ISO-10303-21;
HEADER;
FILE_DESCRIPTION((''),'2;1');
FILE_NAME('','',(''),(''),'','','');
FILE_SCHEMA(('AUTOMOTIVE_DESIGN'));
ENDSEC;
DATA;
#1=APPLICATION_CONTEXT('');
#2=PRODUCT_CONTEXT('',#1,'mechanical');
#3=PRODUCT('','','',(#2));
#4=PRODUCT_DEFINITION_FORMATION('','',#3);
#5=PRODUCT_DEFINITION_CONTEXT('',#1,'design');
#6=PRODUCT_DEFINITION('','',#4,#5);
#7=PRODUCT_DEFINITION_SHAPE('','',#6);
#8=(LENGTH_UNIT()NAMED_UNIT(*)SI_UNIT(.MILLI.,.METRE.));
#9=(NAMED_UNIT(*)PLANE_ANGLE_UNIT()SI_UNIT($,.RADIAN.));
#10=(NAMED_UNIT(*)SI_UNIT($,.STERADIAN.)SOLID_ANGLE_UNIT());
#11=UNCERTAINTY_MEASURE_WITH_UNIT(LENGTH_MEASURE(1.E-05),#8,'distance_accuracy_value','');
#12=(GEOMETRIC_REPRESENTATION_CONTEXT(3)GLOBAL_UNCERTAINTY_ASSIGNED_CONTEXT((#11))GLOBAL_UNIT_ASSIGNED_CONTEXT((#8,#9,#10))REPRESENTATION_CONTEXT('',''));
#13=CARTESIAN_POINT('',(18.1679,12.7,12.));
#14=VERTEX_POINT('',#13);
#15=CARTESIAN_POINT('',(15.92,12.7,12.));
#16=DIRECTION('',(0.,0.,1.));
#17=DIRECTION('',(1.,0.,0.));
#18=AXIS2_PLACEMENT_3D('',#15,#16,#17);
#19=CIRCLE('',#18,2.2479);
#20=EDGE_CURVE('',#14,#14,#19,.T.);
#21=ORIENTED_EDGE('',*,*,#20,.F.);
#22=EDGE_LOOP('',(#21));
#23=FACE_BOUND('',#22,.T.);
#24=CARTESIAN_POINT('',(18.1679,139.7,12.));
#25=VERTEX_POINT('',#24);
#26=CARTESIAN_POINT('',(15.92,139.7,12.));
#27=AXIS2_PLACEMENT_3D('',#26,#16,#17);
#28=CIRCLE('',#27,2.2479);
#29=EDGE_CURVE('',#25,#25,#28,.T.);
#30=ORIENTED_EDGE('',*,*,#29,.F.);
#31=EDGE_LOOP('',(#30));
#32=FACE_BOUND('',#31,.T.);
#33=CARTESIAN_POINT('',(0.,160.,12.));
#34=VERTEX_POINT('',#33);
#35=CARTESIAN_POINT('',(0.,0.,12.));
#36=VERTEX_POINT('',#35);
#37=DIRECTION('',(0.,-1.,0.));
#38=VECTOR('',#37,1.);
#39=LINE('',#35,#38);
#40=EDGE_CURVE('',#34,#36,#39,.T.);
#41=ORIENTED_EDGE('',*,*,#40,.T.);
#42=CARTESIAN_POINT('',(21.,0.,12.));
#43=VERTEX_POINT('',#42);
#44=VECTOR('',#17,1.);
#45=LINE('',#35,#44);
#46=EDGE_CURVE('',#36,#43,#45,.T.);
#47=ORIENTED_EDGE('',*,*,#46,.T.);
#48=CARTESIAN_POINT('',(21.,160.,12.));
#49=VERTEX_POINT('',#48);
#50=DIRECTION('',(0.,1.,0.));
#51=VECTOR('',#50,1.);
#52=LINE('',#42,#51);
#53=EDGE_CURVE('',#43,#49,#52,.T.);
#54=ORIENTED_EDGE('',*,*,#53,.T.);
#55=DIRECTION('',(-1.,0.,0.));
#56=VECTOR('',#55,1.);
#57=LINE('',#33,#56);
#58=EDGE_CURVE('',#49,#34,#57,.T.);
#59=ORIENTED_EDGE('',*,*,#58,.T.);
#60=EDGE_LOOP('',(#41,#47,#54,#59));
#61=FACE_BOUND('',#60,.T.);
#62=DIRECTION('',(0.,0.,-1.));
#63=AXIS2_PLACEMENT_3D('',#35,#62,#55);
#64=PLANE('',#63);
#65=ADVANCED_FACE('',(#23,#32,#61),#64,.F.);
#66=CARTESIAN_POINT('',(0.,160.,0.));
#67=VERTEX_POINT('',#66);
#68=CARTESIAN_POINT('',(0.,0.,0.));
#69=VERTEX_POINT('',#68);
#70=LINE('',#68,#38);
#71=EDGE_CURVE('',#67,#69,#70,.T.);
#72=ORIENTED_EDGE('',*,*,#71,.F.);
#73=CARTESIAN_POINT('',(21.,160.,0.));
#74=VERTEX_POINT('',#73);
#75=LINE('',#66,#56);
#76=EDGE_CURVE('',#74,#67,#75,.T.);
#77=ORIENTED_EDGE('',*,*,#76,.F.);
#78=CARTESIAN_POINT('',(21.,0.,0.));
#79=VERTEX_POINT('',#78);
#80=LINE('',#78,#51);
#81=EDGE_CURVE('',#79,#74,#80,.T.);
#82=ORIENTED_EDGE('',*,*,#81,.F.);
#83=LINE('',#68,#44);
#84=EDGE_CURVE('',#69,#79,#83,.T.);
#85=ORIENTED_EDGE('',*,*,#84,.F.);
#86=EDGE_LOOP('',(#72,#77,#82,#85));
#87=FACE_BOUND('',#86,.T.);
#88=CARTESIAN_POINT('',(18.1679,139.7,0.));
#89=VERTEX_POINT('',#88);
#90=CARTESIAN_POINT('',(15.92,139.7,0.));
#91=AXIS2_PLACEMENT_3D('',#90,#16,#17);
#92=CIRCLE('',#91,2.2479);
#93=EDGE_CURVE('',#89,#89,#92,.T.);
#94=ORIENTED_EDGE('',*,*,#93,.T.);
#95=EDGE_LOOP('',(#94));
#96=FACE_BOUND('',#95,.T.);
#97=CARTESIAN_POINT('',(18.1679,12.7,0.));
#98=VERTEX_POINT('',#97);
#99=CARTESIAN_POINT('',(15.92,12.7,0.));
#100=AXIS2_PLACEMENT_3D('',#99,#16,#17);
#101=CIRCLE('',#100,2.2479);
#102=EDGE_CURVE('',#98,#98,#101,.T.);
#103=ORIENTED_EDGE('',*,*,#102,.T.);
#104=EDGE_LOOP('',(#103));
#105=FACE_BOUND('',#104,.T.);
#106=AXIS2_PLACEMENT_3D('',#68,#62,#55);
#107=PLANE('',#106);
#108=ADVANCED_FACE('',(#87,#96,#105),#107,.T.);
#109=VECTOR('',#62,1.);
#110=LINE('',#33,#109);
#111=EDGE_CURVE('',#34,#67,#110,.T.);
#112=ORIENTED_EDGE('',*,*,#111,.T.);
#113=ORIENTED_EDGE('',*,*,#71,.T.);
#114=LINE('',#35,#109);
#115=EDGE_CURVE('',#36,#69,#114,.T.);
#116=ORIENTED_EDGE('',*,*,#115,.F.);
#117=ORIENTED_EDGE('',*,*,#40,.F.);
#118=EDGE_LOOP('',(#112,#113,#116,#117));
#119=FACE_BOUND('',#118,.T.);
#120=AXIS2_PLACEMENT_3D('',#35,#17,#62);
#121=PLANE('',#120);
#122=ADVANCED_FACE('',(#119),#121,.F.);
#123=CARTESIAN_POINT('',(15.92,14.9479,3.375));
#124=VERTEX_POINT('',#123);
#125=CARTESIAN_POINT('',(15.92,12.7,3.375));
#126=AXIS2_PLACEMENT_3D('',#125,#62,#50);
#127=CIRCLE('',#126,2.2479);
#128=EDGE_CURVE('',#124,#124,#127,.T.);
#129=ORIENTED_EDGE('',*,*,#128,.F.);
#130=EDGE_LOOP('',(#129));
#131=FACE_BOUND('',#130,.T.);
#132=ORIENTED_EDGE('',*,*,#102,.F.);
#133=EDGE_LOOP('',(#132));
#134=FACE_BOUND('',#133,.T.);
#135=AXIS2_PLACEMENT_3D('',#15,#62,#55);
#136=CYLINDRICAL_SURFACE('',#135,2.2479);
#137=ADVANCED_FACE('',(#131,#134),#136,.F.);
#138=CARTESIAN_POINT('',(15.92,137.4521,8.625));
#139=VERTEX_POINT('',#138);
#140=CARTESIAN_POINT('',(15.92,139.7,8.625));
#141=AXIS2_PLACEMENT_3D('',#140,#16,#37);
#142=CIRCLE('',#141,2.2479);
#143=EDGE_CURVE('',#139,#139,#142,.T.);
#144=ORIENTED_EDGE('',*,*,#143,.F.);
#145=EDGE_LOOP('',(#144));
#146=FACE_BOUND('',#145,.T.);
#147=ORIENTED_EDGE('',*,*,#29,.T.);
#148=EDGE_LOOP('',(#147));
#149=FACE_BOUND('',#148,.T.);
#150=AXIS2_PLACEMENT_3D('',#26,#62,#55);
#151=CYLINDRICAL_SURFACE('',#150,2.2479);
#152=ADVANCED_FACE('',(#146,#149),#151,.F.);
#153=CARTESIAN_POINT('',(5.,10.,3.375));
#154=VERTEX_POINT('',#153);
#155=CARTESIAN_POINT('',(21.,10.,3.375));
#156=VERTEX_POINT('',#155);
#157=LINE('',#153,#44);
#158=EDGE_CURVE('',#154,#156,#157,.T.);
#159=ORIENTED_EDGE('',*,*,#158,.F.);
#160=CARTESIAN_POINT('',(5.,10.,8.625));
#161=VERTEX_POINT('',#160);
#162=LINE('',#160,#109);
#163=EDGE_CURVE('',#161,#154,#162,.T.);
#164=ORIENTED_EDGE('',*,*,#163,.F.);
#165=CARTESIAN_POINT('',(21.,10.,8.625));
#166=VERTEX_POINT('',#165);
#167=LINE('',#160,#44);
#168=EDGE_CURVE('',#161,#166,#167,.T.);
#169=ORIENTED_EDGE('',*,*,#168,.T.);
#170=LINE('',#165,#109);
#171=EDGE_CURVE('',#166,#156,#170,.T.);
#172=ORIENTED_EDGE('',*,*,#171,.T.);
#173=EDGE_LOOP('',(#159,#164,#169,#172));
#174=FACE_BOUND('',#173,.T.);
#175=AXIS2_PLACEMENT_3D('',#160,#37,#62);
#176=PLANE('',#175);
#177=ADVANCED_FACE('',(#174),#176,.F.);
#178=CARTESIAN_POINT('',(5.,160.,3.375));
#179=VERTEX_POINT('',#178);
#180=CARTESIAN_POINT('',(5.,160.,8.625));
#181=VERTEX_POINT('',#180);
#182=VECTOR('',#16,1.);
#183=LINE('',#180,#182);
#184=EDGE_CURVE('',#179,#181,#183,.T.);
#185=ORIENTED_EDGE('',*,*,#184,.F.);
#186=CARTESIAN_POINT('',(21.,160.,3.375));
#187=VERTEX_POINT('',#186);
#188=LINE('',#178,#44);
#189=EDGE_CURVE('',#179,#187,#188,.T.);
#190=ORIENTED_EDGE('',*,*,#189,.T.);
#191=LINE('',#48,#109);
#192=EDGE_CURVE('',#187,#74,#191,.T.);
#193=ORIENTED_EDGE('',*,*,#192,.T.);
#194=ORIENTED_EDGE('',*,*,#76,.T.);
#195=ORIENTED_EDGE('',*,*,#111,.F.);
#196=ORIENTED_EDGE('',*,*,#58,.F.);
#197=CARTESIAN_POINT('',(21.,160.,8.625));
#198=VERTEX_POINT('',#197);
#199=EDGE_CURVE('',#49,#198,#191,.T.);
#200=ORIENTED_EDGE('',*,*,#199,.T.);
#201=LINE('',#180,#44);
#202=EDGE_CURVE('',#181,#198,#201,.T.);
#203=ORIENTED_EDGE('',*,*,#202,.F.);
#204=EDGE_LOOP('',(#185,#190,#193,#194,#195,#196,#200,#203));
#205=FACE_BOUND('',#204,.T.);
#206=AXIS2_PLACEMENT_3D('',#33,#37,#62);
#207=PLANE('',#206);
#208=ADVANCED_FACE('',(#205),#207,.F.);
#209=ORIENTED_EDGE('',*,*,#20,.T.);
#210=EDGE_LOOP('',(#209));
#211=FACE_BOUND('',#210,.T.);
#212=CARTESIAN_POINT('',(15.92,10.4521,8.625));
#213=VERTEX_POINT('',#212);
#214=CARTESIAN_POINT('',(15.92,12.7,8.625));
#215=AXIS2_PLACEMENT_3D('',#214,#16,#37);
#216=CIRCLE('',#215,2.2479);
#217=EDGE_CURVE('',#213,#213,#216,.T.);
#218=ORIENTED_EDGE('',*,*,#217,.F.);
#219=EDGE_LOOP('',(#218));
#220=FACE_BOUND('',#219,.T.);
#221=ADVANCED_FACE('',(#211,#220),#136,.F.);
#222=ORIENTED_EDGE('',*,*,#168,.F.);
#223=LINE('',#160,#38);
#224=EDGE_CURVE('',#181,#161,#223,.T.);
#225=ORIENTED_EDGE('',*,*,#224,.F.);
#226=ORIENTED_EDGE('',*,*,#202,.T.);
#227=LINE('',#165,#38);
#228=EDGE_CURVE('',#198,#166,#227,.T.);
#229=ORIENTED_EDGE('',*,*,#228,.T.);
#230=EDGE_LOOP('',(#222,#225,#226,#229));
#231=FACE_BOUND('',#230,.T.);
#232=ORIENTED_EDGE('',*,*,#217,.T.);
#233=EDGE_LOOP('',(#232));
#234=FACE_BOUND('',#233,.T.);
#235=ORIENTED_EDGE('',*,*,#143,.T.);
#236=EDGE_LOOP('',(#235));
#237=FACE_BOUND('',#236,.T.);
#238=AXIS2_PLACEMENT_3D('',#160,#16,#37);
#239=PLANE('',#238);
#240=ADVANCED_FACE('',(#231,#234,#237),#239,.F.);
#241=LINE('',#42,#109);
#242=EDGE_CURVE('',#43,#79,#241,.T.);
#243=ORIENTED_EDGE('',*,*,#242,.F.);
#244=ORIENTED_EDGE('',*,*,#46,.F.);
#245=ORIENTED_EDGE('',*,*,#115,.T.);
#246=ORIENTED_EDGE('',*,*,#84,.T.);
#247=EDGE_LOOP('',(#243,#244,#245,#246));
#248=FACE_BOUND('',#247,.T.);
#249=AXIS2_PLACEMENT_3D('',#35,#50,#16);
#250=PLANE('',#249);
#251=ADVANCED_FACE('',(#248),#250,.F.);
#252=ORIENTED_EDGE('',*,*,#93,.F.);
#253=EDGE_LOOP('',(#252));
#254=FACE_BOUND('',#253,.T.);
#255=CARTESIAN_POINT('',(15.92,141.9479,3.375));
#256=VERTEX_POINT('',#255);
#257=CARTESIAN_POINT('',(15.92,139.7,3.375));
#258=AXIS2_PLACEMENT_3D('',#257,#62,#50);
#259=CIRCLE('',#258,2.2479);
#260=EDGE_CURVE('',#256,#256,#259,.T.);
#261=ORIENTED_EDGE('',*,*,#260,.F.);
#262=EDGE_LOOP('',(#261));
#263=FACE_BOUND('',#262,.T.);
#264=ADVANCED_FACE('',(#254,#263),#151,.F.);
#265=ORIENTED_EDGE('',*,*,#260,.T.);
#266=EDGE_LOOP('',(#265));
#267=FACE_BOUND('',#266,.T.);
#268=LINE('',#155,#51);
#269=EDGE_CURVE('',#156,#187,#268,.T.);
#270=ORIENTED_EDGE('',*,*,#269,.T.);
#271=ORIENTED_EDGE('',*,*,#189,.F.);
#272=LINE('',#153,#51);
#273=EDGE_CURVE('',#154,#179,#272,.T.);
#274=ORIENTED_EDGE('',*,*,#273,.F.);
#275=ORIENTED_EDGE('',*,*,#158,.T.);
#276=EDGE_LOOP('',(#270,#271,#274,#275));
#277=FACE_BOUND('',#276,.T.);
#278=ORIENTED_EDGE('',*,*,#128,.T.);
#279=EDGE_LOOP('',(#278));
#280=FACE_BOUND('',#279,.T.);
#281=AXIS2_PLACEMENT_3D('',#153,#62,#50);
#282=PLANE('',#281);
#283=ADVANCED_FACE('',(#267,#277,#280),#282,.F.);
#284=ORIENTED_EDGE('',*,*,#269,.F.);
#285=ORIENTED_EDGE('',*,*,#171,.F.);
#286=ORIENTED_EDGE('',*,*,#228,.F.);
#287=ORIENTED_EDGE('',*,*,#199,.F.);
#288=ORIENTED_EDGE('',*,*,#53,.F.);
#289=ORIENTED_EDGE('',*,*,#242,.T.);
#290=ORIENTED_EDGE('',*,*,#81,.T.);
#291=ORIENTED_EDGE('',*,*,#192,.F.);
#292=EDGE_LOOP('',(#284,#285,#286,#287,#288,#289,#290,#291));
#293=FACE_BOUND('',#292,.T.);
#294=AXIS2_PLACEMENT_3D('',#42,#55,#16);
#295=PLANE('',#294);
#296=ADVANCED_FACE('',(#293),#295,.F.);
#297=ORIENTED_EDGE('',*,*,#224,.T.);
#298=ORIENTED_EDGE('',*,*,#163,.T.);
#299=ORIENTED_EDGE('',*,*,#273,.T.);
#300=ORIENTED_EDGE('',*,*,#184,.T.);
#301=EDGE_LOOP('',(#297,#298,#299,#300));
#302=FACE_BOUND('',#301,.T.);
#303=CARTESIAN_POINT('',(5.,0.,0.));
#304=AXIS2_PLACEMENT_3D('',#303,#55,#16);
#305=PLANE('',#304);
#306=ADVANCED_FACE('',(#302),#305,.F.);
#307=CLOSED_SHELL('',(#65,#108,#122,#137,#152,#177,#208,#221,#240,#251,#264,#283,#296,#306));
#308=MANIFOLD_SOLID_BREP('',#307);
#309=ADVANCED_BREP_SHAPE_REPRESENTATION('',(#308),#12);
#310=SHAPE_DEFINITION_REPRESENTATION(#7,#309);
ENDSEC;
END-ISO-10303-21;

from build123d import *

# Parameters (mm, degrees)
SKETCH1_W           = 21
SKETCH1_H           = 160
SKETCH1_R           = 2.2479
BOSS_EXTRUDE1_DEPTH = 12
SKETCH2_W           = 5.25
SKETCH2_H           = 150
CUT_EXTRUDE1_DEPTH  = 16


with BuildPart() as part:
    # Sketch1 → Boss-Extrude1 (new body)
    with BuildSketch(Plane.XY):
        with Locations((10.5, 80)):
            Rectangle(SKETCH1_W, SKETCH1_H)
        with Locations((15.92, 12.7)):
            Circle(SKETCH1_R, mode=Mode.SUBTRACT)
        with Locations((15.92, 139.7)):
            Circle(SKETCH1_R, mode=Mode.SUBTRACT)
    extrude(amount=BOSS_EXTRUDE1_DEPTH)

    # Sketch2 → Cut-Extrude1 (cut)
    with BuildSketch(Plane(origin=(21, 0, 0), x_dir=(0, 0, -1), z_dir=(1, 0, 0))):
        with Locations((-6, 85)):
            Rectangle(SKETCH2_W, SKETCH2_H)
    extrude(amount=-CUT_EXTRUDE1_DEPTH, mode=Mode.SUBTRACT)


solid = part.part
